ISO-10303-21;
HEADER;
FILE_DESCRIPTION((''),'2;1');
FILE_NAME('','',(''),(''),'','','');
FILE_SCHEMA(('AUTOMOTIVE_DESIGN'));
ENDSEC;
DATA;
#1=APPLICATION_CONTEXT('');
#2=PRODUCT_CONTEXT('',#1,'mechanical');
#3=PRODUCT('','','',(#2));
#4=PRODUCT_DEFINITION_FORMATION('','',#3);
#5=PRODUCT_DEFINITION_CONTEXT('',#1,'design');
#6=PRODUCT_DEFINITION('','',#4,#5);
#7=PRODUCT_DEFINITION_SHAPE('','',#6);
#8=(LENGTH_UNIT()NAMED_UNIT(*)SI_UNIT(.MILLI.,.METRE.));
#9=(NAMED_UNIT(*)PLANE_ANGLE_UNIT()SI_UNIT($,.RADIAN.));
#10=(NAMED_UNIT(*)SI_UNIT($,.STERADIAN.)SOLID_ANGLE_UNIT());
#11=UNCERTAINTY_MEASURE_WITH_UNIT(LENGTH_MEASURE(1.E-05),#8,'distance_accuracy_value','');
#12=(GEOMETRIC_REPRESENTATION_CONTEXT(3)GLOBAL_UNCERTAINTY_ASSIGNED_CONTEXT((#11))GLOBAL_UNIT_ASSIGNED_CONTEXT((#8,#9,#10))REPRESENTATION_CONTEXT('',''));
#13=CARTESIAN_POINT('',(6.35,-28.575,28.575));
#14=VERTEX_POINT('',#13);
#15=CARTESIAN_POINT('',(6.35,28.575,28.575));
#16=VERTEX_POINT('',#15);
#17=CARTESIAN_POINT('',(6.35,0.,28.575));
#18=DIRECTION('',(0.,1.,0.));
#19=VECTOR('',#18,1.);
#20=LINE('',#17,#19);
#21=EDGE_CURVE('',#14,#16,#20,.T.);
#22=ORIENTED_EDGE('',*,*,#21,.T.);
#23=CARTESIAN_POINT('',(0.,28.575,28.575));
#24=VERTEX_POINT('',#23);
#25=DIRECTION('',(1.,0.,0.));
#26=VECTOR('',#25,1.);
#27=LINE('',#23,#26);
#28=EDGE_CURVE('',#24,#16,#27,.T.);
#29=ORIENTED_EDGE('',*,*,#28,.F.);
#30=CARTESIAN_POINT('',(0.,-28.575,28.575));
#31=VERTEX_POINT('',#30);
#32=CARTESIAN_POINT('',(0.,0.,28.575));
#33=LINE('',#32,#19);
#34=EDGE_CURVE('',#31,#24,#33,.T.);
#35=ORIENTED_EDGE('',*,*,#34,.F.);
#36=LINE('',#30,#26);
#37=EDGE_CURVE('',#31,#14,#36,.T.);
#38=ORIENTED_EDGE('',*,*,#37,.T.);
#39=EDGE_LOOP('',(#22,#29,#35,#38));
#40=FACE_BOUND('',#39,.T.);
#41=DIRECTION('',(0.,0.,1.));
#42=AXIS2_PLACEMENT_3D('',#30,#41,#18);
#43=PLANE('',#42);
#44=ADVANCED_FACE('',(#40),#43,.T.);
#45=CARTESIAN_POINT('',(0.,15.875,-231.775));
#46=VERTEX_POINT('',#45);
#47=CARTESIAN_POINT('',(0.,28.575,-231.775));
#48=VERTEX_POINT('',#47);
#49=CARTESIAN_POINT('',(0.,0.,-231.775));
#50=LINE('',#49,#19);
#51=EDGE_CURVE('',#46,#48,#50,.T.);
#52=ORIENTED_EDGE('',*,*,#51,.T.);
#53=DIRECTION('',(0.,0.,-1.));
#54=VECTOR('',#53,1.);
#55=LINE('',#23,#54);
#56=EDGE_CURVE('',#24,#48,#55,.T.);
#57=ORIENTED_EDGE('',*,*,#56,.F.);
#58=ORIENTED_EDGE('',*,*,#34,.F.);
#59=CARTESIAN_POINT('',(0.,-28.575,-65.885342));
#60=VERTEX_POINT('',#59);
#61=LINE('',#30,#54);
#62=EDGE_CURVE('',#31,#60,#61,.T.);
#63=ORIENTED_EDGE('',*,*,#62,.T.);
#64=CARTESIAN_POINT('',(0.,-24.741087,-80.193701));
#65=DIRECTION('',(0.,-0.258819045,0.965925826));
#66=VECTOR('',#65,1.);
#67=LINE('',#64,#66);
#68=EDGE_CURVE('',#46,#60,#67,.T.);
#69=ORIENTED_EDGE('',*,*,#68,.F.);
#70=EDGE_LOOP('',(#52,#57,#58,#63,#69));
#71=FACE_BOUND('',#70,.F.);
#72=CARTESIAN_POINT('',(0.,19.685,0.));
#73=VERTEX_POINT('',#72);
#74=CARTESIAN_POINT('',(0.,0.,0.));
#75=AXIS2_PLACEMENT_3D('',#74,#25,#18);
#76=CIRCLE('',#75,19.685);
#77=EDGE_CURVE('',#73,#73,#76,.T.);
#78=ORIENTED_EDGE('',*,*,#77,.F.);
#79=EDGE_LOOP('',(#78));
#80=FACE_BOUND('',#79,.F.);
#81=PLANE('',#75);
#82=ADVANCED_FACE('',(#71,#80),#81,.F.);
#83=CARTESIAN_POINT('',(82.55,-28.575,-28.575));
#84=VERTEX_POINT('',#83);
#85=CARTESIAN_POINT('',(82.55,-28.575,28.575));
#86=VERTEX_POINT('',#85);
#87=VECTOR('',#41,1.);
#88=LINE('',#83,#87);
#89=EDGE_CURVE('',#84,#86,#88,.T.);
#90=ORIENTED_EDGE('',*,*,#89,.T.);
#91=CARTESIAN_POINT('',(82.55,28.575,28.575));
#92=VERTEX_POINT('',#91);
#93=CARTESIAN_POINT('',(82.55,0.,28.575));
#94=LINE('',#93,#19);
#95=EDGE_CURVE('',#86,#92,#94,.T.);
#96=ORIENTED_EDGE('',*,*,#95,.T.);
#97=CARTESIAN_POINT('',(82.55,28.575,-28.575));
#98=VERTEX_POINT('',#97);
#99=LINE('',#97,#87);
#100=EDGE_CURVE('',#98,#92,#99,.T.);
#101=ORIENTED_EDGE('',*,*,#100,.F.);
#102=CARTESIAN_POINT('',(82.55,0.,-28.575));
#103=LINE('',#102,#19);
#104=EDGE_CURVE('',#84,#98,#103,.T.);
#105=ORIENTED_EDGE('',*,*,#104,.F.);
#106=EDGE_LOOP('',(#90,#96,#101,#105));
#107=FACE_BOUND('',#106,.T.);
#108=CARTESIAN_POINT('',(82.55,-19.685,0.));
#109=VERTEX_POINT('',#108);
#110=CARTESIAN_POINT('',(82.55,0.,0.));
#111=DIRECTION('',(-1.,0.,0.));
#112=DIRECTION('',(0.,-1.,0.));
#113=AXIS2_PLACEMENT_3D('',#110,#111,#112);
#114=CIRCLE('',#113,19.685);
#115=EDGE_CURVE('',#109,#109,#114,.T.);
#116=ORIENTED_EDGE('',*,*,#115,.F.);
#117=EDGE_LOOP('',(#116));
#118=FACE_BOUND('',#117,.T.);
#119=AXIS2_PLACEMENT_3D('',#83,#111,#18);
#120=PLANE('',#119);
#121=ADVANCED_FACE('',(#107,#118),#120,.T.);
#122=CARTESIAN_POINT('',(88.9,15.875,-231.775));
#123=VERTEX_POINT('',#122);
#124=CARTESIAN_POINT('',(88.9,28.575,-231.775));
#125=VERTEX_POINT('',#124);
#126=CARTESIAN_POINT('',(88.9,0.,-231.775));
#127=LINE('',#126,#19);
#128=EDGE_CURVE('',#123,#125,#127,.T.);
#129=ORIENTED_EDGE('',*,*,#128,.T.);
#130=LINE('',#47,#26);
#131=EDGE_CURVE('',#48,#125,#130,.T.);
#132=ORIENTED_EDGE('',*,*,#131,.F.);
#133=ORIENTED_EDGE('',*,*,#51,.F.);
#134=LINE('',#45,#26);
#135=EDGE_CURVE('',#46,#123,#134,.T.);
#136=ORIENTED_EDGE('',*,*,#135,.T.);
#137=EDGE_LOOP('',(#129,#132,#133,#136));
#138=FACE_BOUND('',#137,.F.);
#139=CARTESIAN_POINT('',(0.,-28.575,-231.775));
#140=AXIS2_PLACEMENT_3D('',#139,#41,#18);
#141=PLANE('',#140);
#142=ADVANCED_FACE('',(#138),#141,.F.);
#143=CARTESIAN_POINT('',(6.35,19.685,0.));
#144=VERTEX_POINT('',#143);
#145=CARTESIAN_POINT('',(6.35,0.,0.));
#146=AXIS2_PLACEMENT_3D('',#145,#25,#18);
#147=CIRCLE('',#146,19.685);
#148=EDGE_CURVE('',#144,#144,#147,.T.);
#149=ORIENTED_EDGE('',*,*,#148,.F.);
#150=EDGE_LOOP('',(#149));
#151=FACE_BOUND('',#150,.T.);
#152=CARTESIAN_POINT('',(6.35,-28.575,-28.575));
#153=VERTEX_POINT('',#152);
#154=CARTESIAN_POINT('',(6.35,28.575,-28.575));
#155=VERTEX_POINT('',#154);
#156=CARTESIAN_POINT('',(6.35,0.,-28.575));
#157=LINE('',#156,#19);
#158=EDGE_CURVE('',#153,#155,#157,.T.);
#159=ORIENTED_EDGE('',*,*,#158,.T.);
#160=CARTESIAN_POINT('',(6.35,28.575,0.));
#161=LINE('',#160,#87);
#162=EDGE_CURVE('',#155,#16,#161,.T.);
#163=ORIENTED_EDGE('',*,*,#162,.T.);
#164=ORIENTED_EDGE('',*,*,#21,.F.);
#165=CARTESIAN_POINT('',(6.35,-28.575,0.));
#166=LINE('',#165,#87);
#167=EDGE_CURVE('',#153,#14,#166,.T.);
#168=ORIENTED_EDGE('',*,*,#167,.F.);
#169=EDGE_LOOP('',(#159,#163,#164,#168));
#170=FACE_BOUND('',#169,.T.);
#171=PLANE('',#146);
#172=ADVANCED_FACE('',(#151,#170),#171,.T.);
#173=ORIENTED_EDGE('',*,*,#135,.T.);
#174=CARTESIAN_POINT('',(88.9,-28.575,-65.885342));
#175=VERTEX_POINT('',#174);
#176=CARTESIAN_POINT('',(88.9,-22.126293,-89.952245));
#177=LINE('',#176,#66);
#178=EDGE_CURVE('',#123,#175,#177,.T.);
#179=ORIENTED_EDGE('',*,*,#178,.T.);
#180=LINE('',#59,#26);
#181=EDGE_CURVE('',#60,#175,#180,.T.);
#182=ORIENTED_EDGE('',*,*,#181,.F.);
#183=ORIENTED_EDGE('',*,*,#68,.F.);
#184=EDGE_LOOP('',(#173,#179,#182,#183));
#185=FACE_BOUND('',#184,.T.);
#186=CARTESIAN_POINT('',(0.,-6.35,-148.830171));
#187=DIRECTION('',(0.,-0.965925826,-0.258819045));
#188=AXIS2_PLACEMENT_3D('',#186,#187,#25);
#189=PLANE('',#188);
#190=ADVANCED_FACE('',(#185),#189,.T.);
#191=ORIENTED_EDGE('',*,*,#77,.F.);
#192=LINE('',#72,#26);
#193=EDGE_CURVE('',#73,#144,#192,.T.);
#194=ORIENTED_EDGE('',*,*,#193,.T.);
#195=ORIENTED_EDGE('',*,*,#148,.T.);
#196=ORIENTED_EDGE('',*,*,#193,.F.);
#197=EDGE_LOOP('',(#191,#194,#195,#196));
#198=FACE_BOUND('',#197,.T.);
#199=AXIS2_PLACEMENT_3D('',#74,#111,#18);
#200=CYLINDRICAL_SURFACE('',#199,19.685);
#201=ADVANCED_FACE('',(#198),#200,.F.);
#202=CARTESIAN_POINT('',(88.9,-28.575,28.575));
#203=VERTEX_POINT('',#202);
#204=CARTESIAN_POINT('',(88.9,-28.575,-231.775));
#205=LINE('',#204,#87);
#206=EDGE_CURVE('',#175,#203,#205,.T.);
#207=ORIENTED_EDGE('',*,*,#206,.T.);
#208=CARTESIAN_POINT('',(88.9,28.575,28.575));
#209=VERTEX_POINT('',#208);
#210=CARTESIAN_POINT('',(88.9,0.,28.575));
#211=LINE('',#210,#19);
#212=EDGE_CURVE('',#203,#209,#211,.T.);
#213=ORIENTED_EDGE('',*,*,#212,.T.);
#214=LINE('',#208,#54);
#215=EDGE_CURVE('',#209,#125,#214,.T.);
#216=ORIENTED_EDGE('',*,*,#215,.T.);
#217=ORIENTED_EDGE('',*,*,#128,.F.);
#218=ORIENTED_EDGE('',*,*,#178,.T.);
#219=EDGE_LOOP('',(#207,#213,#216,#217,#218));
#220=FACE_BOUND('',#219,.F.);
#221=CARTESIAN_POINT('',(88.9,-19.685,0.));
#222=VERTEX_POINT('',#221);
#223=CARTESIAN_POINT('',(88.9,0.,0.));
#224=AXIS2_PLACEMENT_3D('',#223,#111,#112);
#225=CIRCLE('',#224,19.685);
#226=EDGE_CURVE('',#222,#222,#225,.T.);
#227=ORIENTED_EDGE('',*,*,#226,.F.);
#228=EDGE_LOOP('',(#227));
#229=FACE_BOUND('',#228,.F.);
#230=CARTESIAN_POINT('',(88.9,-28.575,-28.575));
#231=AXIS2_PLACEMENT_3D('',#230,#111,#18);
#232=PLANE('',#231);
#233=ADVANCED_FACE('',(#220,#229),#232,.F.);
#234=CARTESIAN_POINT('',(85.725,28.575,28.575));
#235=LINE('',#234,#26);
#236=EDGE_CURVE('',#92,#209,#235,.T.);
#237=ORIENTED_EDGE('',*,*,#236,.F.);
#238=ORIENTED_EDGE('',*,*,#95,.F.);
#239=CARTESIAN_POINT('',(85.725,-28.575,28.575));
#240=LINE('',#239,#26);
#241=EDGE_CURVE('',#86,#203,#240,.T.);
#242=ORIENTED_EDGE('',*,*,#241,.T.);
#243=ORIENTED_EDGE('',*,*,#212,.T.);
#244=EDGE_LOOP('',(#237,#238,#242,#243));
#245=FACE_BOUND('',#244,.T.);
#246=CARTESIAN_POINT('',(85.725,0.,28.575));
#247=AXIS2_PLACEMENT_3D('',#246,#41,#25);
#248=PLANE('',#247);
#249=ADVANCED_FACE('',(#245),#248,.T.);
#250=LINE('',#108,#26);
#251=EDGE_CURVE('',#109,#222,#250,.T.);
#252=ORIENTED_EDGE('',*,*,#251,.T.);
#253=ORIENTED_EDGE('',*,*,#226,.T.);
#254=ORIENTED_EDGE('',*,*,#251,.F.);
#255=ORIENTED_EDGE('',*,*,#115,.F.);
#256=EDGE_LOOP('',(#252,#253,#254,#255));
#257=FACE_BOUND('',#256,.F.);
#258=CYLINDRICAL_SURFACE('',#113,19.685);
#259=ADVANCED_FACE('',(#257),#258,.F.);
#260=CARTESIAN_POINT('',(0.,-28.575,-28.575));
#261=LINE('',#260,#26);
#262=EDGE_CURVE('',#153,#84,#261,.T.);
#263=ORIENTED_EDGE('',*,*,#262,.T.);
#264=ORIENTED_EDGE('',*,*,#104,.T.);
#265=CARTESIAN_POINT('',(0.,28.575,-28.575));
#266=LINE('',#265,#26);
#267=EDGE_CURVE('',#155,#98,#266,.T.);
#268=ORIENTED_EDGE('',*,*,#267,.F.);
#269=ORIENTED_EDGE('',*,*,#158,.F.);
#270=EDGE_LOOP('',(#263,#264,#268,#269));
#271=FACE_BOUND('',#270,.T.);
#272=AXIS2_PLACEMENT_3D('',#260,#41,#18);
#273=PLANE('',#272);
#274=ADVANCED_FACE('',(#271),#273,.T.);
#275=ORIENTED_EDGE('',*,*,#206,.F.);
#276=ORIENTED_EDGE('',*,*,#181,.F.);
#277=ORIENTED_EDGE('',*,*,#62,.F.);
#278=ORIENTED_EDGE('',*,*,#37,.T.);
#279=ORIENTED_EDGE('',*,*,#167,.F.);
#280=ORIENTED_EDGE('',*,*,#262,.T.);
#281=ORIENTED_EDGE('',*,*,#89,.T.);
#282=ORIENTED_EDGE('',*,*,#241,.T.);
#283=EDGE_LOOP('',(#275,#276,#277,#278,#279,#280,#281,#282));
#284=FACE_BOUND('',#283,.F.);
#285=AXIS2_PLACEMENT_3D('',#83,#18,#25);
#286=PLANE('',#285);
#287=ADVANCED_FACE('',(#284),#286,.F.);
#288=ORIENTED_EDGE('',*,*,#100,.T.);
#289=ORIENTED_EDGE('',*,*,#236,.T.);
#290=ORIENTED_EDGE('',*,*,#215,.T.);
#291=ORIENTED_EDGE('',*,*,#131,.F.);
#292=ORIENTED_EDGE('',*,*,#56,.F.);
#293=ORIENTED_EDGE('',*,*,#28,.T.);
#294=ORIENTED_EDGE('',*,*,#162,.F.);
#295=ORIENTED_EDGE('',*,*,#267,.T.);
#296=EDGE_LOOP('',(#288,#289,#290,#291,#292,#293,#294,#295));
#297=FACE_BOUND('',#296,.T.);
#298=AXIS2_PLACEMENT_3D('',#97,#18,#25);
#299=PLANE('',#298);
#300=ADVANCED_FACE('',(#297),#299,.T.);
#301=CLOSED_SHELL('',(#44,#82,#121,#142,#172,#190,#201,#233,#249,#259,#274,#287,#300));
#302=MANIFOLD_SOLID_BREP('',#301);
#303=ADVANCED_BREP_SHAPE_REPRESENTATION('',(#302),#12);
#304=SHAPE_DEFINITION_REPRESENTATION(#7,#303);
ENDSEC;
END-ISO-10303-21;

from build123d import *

# Parameters (mm, degrees)
F0_W     = 57.15
F0_H     = 203.2
F1_DEPTH = 88.9
F0_H_2   = 57.15
F0_R     = 19.685
F2_DEPTH = 6.35
F3_W     = 6.35
F3_H     = 57.15
F4_DEPTH = 57.15
F5_R     = 19.685
F6_DEPTH = 6.35
F7_SIZE2 = 165.8896583964
F7_SIZE  = 44.45


with BuildPart() as f1:
    # F0 (on Right) → F1 (new body)
    with BuildSketch(Plane.YZ):
        with Locations((0, -130.175)):
            Rectangle(F0_W, F0_H)
    extrude(amount=F1_DEPTH)

    # F0 (on Right) → F2 (join)
    with BuildSketch(Plane.YZ):
        Rectangle(F0_W, F0_H_2)
        Circle(F0_R, mode=Mode.SUBTRACT)
    extrude(amount=F2_DEPTH)

    # F3 (on face) → F4 (join)
    with BuildSketch(Plane.XY.offset(-28.575)):
        with Locations((85.725, 0)):
            Rectangle(F3_W, F3_H)
    extrude(amount=F4_DEPTH)

    # F5 (on face) → F6 (cut)
    with BuildSketch(Plane(origin=(82.55, 0, 0), x_dir=(0, -1, 0), z_dir=(-1, 0, 0))):
        Circle(F5_R)
    extrude(amount=-F6_DEPTH, mode=Mode.SUBTRACT)

    # F7
    f7_edges = [f1.edges().sort_by_distance(p)[0] for p in [
        (44.45, -28.575, -231.775),
    ]]
    f7_side = f1.faces().sort_by_distance((44.45, 0, -231.775))[0]
    chamfer(f7_edges, length=F7_SIZE, length2=F7_SIZE2, reference=f7_side)


solid = f1.part
